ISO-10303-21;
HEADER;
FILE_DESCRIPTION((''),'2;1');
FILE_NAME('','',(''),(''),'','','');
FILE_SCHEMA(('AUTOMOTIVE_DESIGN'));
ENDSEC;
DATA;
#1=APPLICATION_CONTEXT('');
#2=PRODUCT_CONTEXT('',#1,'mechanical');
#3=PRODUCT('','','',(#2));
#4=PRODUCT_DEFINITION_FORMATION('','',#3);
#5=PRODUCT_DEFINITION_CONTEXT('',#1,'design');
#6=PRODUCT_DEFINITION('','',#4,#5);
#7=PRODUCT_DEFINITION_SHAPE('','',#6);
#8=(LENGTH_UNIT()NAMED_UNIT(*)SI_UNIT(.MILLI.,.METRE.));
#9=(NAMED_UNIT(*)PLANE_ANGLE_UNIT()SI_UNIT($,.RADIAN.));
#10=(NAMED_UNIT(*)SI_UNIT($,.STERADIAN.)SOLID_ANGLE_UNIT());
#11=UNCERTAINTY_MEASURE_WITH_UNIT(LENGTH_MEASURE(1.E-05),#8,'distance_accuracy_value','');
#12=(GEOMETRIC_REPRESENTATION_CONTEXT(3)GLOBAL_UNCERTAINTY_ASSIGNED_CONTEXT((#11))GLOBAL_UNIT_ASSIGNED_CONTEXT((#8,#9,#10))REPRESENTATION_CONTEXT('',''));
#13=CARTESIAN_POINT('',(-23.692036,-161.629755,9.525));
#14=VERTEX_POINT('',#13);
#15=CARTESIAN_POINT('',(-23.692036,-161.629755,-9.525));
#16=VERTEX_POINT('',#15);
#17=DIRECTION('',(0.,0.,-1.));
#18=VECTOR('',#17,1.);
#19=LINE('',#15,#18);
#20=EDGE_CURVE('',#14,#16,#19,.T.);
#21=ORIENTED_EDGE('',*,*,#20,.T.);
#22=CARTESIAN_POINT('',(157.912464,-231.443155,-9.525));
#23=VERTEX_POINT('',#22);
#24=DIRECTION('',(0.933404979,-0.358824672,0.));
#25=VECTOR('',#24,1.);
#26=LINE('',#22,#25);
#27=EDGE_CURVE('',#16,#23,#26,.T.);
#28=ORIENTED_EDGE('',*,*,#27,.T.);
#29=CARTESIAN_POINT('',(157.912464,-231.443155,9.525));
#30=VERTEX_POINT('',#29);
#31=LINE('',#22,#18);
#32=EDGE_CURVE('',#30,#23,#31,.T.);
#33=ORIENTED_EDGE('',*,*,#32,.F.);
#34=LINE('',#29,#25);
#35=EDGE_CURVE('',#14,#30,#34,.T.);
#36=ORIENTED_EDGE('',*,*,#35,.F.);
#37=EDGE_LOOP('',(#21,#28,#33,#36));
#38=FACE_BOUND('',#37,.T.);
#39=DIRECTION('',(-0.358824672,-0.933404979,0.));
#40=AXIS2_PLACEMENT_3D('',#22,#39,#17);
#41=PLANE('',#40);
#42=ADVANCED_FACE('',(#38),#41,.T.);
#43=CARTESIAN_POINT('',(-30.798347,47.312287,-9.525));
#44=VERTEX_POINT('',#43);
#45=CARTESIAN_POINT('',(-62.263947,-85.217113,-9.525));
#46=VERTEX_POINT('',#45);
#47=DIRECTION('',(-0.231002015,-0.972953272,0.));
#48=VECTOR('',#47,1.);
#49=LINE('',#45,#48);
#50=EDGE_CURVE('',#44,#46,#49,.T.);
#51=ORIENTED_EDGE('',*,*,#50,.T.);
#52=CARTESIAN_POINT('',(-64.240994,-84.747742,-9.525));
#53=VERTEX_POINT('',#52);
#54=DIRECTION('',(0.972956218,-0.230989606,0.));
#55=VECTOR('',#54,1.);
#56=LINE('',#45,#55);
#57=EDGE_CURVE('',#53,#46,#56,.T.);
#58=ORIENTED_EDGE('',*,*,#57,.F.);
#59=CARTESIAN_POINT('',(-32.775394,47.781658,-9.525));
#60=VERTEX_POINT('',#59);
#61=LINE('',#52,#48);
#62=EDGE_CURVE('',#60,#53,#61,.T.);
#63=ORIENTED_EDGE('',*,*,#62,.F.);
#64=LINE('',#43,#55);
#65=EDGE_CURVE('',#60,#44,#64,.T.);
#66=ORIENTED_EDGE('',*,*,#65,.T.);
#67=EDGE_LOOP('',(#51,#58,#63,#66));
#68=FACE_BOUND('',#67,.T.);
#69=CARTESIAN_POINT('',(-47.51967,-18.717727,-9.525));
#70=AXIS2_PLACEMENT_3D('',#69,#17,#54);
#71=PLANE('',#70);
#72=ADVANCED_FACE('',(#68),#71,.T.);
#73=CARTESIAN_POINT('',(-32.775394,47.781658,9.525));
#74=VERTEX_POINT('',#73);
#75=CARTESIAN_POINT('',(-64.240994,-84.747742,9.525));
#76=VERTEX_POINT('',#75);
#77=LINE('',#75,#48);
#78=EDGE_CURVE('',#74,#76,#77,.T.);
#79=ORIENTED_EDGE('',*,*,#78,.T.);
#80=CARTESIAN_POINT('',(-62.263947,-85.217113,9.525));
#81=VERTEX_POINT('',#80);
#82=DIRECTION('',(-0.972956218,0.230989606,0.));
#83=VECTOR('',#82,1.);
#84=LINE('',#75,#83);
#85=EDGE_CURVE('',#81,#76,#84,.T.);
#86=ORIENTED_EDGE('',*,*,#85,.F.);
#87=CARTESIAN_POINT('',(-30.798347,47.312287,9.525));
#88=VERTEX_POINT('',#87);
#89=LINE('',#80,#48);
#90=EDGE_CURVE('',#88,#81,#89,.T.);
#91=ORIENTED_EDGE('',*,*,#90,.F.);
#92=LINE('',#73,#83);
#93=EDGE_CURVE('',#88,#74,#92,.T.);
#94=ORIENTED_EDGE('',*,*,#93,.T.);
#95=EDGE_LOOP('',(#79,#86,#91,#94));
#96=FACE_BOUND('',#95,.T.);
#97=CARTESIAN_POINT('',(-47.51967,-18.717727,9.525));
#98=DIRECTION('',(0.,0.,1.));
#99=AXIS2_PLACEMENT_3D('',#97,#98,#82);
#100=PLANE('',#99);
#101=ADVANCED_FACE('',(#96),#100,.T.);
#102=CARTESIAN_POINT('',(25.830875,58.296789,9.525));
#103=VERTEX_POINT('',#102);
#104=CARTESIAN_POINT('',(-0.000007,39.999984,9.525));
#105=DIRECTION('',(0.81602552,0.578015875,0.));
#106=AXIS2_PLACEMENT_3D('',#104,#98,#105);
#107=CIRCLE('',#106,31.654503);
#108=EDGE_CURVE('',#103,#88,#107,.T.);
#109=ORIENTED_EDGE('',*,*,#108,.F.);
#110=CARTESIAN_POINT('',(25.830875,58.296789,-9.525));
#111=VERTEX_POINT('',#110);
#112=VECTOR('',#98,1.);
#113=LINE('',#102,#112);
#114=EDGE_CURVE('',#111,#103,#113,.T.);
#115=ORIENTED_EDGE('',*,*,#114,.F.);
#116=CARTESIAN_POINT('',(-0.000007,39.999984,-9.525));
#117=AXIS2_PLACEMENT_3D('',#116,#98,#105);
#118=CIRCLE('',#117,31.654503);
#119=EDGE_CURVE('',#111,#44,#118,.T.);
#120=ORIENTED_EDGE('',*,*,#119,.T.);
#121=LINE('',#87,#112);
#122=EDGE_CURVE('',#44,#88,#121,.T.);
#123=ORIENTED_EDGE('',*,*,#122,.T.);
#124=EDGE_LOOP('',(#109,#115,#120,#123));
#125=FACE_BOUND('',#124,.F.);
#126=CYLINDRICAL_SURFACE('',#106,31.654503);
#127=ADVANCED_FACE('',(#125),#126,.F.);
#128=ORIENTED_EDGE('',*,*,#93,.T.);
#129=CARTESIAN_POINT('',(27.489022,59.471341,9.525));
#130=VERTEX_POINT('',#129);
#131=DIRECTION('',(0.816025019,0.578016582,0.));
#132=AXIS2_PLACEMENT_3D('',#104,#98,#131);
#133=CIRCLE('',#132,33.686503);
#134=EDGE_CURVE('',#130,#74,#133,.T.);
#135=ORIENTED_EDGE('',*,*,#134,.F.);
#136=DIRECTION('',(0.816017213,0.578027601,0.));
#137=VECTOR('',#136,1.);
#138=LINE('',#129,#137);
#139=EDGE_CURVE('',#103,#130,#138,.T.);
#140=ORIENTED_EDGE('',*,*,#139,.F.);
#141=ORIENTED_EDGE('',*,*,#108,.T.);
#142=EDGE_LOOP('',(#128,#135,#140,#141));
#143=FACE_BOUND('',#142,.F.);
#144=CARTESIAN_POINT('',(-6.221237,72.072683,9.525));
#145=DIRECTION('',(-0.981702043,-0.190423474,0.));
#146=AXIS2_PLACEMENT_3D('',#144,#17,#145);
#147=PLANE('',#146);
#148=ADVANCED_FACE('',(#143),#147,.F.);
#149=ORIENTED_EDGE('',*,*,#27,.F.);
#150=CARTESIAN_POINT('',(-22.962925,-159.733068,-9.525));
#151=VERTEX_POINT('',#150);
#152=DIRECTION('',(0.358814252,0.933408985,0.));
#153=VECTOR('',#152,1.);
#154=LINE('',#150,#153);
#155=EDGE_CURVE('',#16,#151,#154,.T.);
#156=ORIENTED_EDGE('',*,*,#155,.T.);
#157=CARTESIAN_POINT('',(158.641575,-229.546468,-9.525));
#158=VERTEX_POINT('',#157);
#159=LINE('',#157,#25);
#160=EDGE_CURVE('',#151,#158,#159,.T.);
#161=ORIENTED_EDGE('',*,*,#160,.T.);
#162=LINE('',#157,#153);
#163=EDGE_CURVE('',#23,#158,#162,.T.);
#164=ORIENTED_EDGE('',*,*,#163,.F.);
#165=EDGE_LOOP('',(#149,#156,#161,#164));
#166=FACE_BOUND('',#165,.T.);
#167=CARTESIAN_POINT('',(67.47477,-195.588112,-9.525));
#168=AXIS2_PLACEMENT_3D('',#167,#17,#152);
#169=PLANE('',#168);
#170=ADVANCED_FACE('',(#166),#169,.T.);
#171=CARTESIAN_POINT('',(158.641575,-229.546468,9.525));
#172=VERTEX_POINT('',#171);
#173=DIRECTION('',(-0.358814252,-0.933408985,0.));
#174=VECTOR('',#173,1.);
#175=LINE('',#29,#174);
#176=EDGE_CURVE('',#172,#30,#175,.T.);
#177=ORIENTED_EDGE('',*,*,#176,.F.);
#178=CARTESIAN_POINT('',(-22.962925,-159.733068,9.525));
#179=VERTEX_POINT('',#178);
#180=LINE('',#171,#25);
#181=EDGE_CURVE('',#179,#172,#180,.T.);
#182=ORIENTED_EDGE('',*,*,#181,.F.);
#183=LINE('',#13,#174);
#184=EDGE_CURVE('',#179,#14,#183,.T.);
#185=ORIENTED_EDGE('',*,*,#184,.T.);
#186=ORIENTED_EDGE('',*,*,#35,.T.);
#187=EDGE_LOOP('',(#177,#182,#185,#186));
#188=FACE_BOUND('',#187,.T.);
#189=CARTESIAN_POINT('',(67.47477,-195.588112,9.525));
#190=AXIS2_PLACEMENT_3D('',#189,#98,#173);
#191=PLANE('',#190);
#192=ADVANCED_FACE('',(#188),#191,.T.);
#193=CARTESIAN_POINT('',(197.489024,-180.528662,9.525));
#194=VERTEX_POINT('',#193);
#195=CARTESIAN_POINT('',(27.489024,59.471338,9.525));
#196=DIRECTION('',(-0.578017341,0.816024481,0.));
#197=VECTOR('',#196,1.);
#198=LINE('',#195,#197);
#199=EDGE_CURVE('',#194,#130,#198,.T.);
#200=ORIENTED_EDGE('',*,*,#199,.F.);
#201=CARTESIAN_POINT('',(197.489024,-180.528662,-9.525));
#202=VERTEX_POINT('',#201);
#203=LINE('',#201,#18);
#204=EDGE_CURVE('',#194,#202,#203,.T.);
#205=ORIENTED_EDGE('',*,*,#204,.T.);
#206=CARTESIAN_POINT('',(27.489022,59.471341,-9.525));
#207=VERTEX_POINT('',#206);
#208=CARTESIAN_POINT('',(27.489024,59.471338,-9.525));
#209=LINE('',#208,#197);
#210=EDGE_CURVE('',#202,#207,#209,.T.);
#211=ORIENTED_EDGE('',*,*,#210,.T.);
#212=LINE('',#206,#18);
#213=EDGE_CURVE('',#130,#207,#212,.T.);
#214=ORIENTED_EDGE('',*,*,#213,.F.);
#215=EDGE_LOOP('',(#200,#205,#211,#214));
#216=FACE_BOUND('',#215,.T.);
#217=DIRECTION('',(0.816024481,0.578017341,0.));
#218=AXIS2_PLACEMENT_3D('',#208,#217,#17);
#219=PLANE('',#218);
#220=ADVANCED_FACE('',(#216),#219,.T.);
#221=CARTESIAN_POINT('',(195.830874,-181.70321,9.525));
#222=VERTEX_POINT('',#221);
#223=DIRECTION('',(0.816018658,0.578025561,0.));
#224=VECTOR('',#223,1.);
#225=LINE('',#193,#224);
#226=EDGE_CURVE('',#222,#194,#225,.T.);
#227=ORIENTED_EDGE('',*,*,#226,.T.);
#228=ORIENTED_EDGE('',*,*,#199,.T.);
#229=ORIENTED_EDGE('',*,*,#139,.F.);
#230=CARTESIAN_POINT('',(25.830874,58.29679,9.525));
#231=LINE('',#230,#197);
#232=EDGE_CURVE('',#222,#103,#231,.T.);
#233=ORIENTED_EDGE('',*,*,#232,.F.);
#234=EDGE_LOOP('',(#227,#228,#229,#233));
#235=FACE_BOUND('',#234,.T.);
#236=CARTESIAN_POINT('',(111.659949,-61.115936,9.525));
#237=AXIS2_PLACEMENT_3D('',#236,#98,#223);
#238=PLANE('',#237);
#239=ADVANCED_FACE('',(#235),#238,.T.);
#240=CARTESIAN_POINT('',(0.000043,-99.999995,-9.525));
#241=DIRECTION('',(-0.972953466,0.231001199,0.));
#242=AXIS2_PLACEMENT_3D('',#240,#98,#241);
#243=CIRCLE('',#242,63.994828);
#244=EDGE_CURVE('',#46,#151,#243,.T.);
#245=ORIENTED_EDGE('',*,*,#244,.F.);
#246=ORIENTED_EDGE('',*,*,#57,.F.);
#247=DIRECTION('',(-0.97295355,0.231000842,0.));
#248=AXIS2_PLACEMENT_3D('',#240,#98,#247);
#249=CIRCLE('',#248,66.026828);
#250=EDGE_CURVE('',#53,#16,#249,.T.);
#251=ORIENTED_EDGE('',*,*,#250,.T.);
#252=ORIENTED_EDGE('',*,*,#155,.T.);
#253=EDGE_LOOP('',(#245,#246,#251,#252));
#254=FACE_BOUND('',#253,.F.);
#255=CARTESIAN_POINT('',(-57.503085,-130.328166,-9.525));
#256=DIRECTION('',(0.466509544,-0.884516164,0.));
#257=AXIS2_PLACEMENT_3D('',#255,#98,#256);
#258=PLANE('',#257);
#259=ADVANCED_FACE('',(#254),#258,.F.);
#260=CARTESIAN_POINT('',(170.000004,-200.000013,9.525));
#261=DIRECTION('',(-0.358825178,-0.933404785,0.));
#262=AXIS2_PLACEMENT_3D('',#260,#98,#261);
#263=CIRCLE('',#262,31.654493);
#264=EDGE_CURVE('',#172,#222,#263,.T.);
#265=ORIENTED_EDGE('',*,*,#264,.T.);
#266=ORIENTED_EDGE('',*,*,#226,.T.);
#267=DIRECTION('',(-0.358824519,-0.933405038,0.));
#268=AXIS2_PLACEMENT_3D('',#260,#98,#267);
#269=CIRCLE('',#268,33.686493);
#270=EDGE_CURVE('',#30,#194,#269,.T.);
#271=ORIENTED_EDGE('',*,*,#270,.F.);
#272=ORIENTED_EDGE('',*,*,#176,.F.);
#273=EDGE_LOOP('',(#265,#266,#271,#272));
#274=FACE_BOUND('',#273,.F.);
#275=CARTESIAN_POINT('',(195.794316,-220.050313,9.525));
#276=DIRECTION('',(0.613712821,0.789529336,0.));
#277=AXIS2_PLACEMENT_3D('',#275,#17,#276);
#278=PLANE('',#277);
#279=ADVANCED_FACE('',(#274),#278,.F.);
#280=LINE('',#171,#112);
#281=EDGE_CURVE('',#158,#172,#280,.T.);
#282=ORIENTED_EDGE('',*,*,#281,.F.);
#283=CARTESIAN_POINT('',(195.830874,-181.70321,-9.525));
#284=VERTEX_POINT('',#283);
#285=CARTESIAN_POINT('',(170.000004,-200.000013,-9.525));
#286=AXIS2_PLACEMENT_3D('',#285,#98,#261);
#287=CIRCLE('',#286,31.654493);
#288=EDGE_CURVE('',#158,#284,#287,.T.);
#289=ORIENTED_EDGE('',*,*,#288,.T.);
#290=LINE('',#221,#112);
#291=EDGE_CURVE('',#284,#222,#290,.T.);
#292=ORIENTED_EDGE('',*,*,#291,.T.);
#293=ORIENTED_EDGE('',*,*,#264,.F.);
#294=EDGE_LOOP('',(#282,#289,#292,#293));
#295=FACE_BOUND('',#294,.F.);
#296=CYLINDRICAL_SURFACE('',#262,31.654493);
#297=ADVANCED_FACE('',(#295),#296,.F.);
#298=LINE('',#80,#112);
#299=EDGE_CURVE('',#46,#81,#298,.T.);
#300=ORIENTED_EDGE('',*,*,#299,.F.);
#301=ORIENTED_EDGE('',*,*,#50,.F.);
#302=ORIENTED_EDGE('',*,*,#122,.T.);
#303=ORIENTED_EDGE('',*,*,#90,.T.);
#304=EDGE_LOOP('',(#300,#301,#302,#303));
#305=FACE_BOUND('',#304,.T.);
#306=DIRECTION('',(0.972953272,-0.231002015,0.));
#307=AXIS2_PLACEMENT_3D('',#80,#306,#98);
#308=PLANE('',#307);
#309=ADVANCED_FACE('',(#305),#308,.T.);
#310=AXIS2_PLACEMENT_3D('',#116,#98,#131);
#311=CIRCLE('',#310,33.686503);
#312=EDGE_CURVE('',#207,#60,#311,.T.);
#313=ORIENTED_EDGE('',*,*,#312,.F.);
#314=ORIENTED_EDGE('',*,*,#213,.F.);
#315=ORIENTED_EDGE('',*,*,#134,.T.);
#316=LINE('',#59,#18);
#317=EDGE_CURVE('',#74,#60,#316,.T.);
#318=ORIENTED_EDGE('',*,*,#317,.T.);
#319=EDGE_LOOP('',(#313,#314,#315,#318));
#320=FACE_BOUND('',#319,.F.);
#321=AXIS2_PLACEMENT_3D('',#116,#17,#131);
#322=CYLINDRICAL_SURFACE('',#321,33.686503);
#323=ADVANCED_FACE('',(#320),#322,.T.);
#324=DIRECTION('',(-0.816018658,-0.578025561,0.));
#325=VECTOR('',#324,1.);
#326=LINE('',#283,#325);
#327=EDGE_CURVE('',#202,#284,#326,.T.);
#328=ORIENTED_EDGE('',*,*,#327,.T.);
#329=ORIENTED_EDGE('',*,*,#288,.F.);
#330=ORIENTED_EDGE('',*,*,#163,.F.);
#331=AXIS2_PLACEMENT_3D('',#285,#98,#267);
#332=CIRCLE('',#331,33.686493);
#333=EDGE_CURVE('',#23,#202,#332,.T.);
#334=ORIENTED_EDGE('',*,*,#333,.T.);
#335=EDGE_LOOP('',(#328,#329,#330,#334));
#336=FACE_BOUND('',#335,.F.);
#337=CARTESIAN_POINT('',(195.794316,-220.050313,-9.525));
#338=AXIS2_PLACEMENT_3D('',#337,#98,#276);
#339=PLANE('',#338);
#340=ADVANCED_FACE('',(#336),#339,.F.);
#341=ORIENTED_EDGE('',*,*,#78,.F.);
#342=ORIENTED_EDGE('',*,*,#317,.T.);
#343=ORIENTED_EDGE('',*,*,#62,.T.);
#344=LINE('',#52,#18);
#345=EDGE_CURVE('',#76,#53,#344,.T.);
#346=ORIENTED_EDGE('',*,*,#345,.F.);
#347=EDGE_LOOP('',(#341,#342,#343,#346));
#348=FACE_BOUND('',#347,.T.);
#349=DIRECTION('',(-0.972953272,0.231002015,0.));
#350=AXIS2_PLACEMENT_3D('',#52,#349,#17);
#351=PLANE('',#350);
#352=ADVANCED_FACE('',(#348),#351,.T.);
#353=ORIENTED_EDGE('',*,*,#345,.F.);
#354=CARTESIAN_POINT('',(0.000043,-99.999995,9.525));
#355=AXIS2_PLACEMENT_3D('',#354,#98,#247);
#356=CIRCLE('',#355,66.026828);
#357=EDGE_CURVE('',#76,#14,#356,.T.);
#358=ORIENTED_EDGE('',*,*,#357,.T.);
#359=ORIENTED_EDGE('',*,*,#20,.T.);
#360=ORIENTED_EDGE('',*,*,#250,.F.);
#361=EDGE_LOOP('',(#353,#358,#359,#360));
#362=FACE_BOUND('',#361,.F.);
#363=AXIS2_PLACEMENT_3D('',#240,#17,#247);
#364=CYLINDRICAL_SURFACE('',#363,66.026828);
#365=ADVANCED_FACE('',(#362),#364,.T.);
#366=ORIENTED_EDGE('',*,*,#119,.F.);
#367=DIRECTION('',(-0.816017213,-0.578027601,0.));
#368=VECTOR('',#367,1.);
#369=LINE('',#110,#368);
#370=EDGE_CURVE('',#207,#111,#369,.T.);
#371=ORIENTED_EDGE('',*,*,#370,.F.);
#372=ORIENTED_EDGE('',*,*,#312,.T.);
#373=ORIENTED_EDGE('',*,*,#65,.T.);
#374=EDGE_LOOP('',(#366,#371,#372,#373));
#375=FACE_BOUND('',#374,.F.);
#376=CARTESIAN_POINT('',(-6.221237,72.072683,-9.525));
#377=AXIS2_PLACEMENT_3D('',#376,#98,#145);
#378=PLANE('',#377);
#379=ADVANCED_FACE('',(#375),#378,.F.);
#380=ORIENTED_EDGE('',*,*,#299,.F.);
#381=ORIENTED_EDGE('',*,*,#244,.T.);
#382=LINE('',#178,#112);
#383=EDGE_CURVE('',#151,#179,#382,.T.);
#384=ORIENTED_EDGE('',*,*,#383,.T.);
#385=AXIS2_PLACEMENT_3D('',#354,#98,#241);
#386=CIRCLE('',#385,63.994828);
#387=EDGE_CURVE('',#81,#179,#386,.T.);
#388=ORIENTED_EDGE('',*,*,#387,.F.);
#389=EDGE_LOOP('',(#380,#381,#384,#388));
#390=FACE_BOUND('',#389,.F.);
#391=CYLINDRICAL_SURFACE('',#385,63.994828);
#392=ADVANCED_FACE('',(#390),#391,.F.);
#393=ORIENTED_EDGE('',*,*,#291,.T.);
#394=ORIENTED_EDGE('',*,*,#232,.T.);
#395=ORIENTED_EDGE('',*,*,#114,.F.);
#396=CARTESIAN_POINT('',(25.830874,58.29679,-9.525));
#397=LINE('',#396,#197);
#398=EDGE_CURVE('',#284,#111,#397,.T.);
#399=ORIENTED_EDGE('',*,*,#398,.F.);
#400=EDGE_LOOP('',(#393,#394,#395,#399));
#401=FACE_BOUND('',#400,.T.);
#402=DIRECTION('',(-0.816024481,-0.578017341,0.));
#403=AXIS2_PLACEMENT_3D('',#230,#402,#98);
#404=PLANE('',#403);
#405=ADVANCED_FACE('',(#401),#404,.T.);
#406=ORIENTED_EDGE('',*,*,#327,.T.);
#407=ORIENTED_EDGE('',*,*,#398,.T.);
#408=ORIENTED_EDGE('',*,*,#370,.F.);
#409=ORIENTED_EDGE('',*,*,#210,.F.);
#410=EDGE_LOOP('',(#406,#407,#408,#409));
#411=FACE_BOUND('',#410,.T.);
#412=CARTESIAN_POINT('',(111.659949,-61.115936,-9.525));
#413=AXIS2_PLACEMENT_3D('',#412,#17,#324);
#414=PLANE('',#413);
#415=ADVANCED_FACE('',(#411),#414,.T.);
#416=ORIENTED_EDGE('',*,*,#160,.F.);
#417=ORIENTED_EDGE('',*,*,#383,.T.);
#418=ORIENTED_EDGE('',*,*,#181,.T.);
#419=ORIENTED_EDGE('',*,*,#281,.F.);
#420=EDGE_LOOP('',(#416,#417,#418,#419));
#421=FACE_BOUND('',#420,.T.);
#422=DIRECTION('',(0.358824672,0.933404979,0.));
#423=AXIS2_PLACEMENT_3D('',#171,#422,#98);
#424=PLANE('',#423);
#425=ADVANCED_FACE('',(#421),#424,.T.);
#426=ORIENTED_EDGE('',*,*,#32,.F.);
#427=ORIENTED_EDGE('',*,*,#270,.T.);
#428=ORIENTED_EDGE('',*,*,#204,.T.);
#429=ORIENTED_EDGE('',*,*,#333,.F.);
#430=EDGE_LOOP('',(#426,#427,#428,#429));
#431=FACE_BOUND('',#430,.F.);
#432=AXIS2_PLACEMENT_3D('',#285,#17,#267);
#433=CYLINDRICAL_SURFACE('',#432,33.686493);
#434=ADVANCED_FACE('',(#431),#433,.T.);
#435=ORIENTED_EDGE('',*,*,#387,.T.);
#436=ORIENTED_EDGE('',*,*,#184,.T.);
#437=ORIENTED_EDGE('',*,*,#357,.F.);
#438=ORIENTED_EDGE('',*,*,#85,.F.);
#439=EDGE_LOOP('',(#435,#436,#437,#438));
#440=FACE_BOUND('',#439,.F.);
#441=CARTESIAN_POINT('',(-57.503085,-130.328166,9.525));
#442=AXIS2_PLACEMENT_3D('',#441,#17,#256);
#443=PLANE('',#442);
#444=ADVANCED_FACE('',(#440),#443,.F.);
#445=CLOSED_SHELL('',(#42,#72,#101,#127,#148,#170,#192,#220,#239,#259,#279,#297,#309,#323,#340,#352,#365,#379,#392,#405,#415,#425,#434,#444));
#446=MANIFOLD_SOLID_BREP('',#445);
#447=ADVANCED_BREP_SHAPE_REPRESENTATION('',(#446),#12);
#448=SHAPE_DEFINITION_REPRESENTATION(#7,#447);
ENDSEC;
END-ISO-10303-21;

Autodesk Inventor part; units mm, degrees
sketch "Эскизная траектория" plane through (0, 0, 0) normal (0, 0, 1) x (1, 0, 0)
  arc A0 (26.3905, 58.6932) -> (-31.4656, 47.4707) centre (0, 40) ccw
  arc A1 (158.3955, -230.1866) -> (196.3905, -181.3068) centre (170, -200) ccw
  arc A2 (-62.9312, -85.0587) -> (-23.209, -160.3732) centre (0, -100) ccw
  line L0 (-62.9312, -85.0587) -> (-31.4656, 47.4707)
  line L1 (26.3905, 58.6932) -> (196.3905, -181.3068)
  line L2 (158.3955, -230.1866) -> (-23.209, -160.3732)
ref_plane "Плоскость сечения" through (-31.4656, 47.4707, 0) normal (-0.231, -0.973, 0) x (0, 0, 1)
ref_plane "РабПлоскость2" through (0, 40, 0) normal (-1, 0, 0) x (0, 0, 1)
ref_plane "РабПлоскость3" through (170, -200, 0) normal (-0.4393, 0.8983, 0) x (0, 0, 1)
ref_plane "РабПлоскость4" through (0, -100, 0) normal (0.8859, -0.4639, 0) x (0, 0, 1)
sketch "Сечение" plane through (-31.4656, 47.4707, 0) normal (-0.231, -0.973, 0) x (0, 0, 1)
  line L0 (-9.525, 1.3462) -> (9.525, 1.3462)
  line L1 (9.525, 1.3462) -> (9.525, -0.6858)
  line L2 (9.525, -0.6858) -> (-9.525, -0.6858)
  line L3 (-9.525, -0.6858) -> (-9.525, 1.3462)
  line L4 (-9.525, 0) -> (9.525, 0) construction
  point P0 (0, 0)
  point P1 (0, 0)
  dimension "d0" = 19.05
  dimension "d4" = 0.6858
  dimension "d5" = 1.3462
sweep "Ремень" add profiles "Сечение" path "Эскизная траектория"
equation "\"d0\" = da_B"
equation "\"d4\" = da_a"
equation "\"d5\" = da_a2"
equation "\"da_B\" = 19.05"
equation "\"da_pb\" = 12.7"
equation "\"da_L\" = 874.5532"
equation "\"da_a\" = 0.6858"
equation "\"da_S\" = 6.1214"
equation "\"da_Beta\" = 20deg"
equation "\"da_Ht\" = 2.286"
equation "\"da_H\" = 4.318"
equation "\"da_a2\" = 1.3462"
properties part number "Зубчатый ремень" material "Rubber"
